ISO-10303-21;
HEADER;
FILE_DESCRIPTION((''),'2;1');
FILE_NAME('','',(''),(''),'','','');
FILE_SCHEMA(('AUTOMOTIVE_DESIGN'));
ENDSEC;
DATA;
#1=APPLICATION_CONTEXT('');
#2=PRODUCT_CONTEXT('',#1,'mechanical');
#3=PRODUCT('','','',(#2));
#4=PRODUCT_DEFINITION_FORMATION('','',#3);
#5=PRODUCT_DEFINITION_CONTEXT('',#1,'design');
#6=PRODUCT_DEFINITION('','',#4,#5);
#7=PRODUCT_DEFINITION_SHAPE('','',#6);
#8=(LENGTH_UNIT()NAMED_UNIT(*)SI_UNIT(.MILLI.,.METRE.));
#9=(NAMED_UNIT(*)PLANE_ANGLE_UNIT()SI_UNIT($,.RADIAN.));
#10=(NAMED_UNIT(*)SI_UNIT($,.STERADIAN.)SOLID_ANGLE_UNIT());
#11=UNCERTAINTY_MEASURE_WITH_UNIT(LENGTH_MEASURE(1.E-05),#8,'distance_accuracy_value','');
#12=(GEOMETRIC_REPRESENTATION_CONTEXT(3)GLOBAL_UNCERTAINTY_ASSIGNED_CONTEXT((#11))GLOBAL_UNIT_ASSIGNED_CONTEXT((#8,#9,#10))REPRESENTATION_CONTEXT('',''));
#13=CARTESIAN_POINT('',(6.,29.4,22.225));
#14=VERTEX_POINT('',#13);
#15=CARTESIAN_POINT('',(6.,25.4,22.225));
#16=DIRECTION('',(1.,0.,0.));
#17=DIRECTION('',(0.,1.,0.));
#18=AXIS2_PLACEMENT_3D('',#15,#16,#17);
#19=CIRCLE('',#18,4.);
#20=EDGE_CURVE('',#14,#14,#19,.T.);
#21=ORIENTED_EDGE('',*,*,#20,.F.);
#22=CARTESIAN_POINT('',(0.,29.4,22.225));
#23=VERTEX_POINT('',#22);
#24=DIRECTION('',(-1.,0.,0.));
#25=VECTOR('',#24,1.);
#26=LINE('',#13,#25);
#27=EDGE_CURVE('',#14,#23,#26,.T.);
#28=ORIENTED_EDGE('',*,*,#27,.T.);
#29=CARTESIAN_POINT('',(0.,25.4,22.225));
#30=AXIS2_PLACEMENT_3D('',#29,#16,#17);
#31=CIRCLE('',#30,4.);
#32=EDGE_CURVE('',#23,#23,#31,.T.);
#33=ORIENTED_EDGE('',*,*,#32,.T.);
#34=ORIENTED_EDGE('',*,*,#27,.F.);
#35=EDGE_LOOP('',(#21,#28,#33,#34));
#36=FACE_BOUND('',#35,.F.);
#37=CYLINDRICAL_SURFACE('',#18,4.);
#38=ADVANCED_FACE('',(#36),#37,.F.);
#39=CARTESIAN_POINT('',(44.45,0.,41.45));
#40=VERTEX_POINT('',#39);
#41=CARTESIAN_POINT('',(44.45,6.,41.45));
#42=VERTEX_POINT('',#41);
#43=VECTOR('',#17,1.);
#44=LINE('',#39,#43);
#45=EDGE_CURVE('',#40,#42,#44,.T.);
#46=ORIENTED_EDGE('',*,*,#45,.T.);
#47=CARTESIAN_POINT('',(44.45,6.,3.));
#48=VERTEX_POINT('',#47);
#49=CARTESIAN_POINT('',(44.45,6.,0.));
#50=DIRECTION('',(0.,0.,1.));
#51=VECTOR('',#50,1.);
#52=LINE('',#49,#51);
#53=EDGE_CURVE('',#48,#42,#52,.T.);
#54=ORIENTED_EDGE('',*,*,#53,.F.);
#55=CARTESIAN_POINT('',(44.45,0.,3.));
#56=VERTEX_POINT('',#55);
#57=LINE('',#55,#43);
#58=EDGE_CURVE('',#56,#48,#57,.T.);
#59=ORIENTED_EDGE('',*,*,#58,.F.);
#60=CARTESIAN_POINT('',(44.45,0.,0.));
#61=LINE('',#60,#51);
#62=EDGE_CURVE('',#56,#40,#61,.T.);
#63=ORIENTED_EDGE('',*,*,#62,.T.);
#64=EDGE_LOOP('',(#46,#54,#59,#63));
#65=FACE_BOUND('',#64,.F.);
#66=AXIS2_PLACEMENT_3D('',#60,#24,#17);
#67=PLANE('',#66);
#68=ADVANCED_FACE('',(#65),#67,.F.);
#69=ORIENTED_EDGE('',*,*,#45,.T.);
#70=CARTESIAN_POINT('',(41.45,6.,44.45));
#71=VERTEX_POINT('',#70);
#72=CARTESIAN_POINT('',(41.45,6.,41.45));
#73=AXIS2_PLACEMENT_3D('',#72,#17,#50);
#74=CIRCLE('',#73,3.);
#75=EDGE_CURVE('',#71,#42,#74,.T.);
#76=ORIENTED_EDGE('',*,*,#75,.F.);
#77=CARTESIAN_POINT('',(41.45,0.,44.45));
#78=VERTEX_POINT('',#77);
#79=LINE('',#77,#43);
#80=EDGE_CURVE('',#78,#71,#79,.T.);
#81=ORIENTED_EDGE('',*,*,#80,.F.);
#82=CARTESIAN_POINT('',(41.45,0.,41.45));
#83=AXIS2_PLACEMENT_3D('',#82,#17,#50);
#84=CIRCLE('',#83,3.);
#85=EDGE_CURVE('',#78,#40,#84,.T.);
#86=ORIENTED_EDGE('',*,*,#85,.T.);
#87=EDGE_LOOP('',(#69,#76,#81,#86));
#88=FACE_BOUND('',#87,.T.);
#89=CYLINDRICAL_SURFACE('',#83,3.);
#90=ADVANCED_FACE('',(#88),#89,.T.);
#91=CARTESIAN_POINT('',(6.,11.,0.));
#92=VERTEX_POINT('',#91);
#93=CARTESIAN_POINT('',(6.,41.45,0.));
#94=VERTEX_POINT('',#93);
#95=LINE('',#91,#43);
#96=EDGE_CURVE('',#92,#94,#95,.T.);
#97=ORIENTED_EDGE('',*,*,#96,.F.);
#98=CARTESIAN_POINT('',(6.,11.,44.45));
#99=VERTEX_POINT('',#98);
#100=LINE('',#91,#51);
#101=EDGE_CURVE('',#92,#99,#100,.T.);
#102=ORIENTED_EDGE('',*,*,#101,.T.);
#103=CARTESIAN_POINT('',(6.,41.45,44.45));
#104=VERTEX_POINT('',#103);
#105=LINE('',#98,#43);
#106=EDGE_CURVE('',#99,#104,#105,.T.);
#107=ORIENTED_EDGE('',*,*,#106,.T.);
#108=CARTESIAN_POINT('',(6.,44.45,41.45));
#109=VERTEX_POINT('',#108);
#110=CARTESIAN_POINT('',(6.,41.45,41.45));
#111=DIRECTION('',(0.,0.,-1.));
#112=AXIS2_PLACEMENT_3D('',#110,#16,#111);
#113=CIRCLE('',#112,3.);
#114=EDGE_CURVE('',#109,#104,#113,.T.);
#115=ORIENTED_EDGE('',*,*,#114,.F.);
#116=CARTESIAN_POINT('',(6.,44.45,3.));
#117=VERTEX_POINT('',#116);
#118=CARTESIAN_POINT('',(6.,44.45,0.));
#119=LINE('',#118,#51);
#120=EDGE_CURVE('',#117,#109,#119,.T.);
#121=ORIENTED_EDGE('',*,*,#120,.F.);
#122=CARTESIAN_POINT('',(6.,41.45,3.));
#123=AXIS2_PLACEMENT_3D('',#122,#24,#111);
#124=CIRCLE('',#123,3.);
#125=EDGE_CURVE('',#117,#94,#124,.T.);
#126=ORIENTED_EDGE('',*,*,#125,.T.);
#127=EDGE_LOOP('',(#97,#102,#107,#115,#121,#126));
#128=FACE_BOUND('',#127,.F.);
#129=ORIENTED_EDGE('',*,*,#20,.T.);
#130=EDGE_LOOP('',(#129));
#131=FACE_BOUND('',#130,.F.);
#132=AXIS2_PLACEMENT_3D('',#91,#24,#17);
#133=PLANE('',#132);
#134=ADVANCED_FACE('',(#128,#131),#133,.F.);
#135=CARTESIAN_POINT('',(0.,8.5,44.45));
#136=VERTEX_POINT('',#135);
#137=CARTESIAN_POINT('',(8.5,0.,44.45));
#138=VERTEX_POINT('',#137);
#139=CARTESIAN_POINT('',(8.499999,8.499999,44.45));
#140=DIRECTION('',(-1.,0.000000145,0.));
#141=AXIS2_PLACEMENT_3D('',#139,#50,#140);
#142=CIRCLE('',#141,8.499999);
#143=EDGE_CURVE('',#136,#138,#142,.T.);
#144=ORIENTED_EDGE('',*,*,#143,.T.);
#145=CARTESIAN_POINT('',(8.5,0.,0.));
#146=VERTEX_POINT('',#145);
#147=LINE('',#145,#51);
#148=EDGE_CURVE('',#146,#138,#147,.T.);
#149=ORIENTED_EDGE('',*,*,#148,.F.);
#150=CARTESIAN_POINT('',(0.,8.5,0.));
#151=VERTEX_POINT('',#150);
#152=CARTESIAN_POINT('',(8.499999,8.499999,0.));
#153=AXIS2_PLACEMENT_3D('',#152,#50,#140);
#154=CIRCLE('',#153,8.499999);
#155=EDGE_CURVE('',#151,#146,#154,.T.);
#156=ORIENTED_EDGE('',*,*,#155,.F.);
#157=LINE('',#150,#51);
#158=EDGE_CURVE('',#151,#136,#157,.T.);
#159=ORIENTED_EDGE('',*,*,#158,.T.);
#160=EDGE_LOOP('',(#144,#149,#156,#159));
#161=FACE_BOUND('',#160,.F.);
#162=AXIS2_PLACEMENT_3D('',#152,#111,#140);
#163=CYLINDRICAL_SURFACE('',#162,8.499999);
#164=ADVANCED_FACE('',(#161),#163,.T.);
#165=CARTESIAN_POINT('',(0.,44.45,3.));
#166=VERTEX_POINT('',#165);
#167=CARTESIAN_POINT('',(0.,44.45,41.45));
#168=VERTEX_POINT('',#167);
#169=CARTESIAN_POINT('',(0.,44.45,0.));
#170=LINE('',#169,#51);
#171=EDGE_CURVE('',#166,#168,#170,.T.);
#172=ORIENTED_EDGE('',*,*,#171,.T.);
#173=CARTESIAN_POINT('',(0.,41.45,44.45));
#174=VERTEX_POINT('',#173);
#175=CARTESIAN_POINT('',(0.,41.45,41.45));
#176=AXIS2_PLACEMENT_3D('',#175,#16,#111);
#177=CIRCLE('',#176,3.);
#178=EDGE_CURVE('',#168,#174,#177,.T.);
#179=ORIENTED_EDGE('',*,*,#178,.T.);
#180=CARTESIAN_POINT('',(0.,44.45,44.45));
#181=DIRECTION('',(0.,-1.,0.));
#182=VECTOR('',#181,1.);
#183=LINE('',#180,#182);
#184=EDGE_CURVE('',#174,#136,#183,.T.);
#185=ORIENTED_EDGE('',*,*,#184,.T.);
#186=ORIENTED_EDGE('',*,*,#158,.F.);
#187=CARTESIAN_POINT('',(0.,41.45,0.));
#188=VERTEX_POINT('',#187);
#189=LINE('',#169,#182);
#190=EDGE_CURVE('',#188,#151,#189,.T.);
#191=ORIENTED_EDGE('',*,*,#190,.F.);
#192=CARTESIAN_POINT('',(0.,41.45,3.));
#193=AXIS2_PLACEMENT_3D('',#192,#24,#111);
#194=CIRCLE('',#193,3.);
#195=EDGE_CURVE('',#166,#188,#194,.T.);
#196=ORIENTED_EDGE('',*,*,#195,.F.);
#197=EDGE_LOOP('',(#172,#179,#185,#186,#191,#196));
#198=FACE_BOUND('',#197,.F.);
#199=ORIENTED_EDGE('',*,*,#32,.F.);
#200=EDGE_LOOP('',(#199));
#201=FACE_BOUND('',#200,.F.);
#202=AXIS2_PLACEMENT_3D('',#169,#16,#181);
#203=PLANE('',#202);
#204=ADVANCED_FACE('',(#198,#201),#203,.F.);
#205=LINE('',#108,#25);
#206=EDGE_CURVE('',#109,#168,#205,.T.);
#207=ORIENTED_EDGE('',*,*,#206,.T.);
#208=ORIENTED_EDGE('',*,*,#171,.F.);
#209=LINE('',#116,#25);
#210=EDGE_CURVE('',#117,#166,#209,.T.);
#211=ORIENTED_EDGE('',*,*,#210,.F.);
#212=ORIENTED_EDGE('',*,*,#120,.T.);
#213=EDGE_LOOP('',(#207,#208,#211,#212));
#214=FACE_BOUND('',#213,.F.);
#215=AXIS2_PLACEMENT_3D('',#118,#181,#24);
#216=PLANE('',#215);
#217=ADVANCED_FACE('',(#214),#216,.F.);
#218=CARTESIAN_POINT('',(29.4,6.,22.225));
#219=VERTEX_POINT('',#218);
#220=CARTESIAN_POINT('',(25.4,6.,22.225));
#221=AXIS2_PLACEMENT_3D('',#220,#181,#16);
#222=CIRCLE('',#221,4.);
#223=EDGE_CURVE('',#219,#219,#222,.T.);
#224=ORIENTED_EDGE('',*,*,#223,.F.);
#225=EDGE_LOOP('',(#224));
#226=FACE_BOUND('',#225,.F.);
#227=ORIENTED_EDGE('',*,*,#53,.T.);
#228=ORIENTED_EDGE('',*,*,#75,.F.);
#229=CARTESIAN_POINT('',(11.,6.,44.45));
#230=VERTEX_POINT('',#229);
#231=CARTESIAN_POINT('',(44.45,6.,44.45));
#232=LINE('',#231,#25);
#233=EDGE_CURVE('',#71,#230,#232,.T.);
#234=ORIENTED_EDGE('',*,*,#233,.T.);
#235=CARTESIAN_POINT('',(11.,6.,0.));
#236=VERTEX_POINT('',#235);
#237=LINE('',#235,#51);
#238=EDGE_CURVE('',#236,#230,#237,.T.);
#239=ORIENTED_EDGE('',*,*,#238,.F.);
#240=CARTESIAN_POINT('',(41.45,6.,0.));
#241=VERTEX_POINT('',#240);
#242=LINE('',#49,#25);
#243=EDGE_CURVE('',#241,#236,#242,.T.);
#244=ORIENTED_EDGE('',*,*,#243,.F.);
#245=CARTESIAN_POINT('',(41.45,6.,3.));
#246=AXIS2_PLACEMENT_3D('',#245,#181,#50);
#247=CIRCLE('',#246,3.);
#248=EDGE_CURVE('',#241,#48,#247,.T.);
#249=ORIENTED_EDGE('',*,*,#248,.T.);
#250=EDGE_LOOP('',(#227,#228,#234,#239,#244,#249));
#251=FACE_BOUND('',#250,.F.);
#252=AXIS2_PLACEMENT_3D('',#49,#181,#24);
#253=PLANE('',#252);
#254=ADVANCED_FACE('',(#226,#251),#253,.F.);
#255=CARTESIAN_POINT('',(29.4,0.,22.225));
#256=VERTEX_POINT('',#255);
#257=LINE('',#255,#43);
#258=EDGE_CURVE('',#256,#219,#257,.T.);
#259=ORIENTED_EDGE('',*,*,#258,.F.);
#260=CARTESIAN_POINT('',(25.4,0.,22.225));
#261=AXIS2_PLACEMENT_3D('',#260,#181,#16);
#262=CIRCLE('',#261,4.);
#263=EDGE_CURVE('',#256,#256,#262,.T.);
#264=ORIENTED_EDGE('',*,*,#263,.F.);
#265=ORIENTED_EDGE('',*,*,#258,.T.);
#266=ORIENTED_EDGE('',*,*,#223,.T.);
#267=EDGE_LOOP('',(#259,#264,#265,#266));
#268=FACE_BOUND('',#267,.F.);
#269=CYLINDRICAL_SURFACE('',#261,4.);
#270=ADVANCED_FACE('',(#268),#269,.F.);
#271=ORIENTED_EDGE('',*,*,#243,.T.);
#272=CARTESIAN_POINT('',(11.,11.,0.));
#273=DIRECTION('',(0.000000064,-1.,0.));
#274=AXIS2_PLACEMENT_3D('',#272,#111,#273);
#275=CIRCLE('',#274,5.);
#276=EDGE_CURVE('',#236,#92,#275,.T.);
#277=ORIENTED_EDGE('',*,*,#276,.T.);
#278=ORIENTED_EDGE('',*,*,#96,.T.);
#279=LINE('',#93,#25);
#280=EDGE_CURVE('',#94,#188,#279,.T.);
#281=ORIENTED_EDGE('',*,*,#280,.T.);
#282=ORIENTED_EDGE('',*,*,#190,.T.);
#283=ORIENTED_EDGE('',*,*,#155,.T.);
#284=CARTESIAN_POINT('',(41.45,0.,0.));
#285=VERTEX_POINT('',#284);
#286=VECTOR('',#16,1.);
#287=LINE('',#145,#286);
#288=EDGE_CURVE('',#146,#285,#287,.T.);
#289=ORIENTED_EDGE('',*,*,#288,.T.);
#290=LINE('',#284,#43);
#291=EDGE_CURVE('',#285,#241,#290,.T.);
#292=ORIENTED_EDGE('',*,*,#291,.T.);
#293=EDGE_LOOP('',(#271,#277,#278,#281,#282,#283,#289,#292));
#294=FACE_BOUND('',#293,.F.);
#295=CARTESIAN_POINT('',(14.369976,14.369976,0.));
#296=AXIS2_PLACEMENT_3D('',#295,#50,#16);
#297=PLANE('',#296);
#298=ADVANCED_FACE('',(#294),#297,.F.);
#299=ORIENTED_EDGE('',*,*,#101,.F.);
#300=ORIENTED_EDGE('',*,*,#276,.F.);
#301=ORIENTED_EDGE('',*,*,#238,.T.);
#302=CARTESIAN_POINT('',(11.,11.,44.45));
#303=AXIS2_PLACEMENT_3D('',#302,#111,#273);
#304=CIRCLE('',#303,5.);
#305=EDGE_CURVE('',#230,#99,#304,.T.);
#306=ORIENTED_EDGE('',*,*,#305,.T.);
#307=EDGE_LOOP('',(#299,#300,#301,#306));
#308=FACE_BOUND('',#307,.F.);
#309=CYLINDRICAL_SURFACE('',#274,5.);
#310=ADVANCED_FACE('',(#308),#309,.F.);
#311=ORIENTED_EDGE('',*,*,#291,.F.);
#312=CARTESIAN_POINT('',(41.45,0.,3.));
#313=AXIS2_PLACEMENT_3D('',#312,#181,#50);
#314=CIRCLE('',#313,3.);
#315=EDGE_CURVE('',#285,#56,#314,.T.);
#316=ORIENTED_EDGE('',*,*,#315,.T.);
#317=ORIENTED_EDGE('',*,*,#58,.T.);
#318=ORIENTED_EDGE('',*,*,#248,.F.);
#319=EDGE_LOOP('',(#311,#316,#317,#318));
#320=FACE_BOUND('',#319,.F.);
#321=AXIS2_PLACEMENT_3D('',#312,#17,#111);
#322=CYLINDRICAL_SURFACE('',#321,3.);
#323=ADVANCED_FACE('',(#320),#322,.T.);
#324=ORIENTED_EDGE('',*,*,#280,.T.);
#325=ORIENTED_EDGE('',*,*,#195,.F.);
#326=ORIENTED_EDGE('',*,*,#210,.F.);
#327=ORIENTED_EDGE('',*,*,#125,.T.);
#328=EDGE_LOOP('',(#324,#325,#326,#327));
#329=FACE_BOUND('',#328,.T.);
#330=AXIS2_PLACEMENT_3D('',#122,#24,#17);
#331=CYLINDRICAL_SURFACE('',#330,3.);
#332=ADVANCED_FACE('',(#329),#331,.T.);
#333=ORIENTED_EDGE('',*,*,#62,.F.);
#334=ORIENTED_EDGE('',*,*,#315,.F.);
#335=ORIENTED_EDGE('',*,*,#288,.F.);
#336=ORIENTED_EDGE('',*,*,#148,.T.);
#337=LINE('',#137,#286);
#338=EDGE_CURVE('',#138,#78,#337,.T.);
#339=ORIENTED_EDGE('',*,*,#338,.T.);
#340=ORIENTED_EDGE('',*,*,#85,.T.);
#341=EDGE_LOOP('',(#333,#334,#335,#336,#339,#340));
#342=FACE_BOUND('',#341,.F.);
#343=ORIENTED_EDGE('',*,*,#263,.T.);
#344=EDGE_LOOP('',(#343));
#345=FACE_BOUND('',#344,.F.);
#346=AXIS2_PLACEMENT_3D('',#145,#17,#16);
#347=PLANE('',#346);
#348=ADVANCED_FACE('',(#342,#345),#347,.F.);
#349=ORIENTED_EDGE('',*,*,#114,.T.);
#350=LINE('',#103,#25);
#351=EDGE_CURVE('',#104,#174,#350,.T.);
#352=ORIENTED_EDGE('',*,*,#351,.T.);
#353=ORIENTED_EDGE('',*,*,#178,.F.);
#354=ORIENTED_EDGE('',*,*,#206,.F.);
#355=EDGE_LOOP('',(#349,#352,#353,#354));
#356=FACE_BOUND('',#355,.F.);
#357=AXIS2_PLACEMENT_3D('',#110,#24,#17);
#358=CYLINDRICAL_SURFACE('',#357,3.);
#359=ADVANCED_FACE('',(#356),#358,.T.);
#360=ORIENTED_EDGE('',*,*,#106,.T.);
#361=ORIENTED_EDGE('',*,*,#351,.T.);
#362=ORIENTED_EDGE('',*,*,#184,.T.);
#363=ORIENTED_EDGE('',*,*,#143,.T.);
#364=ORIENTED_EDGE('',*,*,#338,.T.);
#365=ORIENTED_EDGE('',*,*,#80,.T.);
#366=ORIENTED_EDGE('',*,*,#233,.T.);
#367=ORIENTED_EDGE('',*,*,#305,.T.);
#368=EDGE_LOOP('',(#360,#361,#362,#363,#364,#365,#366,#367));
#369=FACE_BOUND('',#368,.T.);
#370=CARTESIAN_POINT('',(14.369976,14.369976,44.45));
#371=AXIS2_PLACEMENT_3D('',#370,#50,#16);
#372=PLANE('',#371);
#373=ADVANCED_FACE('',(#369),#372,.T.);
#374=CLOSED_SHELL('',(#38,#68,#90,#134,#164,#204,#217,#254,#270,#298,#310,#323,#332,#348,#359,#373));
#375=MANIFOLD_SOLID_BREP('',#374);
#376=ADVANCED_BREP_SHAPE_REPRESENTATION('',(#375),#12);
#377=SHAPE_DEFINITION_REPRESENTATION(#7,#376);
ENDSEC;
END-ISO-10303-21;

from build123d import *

# Parameters (mm, degrees)
F1_DEPTH = 44.45
F2_R     = 4
F3_DEPTH = 6
F4_R     = 4
F5_DEPTH = 6
F6_R     = 3


with BuildPart() as f1:
    # F0 (on Top) → F1 (new body)
    with BuildSketch(Plane.XY):
        with BuildLine():
            Line((6, 44.45), (0, 44.45))
            Line((0, 44.45), (0, 8.5))
            ThreePointArc((0, 8.5), (2.489592, 2.489592), (8.5, 0))
            Line((8.5, 0), (44.45, 0))
            Line((44.45, 0), (44.45, 6))
            Line((44.45, 6), (11, 6))
            ThreePointArc((11, 6), (7.464466, 7.464466), (6, 11))
            Line((6, 11), (6, 44.45))
        make_face()
    extrude(amount=F1_DEPTH)

    # F2 (on face) → F3 (cut, through all)
    with BuildSketch(Plane.YZ.offset(6)):
        with Locations((25.4, 22.225)):
            Circle(F2_R)
    extrude(amount=-F3_DEPTH, mode=Mode.SUBTRACT)

    # F4 (on face) → F5 (cut, through all)
    with BuildSketch(Plane.XZ):
        with Locations((25.4, 22.225)):
            Circle(F4_R)
    extrude(amount=-F5_DEPTH, mode=Mode.SUBTRACT)

    # F6
    f6_edges = [f1.edges().sort_by_distance(p)[0] for p in [
        (44.45, 3, 44.45),
        (44.45, 3, 0),
        (3, 44.45, 0),
        (3, 44.45, 44.45),
    ]]
    fillet(f6_edges, radius=F6_R)


solid = f1.part
